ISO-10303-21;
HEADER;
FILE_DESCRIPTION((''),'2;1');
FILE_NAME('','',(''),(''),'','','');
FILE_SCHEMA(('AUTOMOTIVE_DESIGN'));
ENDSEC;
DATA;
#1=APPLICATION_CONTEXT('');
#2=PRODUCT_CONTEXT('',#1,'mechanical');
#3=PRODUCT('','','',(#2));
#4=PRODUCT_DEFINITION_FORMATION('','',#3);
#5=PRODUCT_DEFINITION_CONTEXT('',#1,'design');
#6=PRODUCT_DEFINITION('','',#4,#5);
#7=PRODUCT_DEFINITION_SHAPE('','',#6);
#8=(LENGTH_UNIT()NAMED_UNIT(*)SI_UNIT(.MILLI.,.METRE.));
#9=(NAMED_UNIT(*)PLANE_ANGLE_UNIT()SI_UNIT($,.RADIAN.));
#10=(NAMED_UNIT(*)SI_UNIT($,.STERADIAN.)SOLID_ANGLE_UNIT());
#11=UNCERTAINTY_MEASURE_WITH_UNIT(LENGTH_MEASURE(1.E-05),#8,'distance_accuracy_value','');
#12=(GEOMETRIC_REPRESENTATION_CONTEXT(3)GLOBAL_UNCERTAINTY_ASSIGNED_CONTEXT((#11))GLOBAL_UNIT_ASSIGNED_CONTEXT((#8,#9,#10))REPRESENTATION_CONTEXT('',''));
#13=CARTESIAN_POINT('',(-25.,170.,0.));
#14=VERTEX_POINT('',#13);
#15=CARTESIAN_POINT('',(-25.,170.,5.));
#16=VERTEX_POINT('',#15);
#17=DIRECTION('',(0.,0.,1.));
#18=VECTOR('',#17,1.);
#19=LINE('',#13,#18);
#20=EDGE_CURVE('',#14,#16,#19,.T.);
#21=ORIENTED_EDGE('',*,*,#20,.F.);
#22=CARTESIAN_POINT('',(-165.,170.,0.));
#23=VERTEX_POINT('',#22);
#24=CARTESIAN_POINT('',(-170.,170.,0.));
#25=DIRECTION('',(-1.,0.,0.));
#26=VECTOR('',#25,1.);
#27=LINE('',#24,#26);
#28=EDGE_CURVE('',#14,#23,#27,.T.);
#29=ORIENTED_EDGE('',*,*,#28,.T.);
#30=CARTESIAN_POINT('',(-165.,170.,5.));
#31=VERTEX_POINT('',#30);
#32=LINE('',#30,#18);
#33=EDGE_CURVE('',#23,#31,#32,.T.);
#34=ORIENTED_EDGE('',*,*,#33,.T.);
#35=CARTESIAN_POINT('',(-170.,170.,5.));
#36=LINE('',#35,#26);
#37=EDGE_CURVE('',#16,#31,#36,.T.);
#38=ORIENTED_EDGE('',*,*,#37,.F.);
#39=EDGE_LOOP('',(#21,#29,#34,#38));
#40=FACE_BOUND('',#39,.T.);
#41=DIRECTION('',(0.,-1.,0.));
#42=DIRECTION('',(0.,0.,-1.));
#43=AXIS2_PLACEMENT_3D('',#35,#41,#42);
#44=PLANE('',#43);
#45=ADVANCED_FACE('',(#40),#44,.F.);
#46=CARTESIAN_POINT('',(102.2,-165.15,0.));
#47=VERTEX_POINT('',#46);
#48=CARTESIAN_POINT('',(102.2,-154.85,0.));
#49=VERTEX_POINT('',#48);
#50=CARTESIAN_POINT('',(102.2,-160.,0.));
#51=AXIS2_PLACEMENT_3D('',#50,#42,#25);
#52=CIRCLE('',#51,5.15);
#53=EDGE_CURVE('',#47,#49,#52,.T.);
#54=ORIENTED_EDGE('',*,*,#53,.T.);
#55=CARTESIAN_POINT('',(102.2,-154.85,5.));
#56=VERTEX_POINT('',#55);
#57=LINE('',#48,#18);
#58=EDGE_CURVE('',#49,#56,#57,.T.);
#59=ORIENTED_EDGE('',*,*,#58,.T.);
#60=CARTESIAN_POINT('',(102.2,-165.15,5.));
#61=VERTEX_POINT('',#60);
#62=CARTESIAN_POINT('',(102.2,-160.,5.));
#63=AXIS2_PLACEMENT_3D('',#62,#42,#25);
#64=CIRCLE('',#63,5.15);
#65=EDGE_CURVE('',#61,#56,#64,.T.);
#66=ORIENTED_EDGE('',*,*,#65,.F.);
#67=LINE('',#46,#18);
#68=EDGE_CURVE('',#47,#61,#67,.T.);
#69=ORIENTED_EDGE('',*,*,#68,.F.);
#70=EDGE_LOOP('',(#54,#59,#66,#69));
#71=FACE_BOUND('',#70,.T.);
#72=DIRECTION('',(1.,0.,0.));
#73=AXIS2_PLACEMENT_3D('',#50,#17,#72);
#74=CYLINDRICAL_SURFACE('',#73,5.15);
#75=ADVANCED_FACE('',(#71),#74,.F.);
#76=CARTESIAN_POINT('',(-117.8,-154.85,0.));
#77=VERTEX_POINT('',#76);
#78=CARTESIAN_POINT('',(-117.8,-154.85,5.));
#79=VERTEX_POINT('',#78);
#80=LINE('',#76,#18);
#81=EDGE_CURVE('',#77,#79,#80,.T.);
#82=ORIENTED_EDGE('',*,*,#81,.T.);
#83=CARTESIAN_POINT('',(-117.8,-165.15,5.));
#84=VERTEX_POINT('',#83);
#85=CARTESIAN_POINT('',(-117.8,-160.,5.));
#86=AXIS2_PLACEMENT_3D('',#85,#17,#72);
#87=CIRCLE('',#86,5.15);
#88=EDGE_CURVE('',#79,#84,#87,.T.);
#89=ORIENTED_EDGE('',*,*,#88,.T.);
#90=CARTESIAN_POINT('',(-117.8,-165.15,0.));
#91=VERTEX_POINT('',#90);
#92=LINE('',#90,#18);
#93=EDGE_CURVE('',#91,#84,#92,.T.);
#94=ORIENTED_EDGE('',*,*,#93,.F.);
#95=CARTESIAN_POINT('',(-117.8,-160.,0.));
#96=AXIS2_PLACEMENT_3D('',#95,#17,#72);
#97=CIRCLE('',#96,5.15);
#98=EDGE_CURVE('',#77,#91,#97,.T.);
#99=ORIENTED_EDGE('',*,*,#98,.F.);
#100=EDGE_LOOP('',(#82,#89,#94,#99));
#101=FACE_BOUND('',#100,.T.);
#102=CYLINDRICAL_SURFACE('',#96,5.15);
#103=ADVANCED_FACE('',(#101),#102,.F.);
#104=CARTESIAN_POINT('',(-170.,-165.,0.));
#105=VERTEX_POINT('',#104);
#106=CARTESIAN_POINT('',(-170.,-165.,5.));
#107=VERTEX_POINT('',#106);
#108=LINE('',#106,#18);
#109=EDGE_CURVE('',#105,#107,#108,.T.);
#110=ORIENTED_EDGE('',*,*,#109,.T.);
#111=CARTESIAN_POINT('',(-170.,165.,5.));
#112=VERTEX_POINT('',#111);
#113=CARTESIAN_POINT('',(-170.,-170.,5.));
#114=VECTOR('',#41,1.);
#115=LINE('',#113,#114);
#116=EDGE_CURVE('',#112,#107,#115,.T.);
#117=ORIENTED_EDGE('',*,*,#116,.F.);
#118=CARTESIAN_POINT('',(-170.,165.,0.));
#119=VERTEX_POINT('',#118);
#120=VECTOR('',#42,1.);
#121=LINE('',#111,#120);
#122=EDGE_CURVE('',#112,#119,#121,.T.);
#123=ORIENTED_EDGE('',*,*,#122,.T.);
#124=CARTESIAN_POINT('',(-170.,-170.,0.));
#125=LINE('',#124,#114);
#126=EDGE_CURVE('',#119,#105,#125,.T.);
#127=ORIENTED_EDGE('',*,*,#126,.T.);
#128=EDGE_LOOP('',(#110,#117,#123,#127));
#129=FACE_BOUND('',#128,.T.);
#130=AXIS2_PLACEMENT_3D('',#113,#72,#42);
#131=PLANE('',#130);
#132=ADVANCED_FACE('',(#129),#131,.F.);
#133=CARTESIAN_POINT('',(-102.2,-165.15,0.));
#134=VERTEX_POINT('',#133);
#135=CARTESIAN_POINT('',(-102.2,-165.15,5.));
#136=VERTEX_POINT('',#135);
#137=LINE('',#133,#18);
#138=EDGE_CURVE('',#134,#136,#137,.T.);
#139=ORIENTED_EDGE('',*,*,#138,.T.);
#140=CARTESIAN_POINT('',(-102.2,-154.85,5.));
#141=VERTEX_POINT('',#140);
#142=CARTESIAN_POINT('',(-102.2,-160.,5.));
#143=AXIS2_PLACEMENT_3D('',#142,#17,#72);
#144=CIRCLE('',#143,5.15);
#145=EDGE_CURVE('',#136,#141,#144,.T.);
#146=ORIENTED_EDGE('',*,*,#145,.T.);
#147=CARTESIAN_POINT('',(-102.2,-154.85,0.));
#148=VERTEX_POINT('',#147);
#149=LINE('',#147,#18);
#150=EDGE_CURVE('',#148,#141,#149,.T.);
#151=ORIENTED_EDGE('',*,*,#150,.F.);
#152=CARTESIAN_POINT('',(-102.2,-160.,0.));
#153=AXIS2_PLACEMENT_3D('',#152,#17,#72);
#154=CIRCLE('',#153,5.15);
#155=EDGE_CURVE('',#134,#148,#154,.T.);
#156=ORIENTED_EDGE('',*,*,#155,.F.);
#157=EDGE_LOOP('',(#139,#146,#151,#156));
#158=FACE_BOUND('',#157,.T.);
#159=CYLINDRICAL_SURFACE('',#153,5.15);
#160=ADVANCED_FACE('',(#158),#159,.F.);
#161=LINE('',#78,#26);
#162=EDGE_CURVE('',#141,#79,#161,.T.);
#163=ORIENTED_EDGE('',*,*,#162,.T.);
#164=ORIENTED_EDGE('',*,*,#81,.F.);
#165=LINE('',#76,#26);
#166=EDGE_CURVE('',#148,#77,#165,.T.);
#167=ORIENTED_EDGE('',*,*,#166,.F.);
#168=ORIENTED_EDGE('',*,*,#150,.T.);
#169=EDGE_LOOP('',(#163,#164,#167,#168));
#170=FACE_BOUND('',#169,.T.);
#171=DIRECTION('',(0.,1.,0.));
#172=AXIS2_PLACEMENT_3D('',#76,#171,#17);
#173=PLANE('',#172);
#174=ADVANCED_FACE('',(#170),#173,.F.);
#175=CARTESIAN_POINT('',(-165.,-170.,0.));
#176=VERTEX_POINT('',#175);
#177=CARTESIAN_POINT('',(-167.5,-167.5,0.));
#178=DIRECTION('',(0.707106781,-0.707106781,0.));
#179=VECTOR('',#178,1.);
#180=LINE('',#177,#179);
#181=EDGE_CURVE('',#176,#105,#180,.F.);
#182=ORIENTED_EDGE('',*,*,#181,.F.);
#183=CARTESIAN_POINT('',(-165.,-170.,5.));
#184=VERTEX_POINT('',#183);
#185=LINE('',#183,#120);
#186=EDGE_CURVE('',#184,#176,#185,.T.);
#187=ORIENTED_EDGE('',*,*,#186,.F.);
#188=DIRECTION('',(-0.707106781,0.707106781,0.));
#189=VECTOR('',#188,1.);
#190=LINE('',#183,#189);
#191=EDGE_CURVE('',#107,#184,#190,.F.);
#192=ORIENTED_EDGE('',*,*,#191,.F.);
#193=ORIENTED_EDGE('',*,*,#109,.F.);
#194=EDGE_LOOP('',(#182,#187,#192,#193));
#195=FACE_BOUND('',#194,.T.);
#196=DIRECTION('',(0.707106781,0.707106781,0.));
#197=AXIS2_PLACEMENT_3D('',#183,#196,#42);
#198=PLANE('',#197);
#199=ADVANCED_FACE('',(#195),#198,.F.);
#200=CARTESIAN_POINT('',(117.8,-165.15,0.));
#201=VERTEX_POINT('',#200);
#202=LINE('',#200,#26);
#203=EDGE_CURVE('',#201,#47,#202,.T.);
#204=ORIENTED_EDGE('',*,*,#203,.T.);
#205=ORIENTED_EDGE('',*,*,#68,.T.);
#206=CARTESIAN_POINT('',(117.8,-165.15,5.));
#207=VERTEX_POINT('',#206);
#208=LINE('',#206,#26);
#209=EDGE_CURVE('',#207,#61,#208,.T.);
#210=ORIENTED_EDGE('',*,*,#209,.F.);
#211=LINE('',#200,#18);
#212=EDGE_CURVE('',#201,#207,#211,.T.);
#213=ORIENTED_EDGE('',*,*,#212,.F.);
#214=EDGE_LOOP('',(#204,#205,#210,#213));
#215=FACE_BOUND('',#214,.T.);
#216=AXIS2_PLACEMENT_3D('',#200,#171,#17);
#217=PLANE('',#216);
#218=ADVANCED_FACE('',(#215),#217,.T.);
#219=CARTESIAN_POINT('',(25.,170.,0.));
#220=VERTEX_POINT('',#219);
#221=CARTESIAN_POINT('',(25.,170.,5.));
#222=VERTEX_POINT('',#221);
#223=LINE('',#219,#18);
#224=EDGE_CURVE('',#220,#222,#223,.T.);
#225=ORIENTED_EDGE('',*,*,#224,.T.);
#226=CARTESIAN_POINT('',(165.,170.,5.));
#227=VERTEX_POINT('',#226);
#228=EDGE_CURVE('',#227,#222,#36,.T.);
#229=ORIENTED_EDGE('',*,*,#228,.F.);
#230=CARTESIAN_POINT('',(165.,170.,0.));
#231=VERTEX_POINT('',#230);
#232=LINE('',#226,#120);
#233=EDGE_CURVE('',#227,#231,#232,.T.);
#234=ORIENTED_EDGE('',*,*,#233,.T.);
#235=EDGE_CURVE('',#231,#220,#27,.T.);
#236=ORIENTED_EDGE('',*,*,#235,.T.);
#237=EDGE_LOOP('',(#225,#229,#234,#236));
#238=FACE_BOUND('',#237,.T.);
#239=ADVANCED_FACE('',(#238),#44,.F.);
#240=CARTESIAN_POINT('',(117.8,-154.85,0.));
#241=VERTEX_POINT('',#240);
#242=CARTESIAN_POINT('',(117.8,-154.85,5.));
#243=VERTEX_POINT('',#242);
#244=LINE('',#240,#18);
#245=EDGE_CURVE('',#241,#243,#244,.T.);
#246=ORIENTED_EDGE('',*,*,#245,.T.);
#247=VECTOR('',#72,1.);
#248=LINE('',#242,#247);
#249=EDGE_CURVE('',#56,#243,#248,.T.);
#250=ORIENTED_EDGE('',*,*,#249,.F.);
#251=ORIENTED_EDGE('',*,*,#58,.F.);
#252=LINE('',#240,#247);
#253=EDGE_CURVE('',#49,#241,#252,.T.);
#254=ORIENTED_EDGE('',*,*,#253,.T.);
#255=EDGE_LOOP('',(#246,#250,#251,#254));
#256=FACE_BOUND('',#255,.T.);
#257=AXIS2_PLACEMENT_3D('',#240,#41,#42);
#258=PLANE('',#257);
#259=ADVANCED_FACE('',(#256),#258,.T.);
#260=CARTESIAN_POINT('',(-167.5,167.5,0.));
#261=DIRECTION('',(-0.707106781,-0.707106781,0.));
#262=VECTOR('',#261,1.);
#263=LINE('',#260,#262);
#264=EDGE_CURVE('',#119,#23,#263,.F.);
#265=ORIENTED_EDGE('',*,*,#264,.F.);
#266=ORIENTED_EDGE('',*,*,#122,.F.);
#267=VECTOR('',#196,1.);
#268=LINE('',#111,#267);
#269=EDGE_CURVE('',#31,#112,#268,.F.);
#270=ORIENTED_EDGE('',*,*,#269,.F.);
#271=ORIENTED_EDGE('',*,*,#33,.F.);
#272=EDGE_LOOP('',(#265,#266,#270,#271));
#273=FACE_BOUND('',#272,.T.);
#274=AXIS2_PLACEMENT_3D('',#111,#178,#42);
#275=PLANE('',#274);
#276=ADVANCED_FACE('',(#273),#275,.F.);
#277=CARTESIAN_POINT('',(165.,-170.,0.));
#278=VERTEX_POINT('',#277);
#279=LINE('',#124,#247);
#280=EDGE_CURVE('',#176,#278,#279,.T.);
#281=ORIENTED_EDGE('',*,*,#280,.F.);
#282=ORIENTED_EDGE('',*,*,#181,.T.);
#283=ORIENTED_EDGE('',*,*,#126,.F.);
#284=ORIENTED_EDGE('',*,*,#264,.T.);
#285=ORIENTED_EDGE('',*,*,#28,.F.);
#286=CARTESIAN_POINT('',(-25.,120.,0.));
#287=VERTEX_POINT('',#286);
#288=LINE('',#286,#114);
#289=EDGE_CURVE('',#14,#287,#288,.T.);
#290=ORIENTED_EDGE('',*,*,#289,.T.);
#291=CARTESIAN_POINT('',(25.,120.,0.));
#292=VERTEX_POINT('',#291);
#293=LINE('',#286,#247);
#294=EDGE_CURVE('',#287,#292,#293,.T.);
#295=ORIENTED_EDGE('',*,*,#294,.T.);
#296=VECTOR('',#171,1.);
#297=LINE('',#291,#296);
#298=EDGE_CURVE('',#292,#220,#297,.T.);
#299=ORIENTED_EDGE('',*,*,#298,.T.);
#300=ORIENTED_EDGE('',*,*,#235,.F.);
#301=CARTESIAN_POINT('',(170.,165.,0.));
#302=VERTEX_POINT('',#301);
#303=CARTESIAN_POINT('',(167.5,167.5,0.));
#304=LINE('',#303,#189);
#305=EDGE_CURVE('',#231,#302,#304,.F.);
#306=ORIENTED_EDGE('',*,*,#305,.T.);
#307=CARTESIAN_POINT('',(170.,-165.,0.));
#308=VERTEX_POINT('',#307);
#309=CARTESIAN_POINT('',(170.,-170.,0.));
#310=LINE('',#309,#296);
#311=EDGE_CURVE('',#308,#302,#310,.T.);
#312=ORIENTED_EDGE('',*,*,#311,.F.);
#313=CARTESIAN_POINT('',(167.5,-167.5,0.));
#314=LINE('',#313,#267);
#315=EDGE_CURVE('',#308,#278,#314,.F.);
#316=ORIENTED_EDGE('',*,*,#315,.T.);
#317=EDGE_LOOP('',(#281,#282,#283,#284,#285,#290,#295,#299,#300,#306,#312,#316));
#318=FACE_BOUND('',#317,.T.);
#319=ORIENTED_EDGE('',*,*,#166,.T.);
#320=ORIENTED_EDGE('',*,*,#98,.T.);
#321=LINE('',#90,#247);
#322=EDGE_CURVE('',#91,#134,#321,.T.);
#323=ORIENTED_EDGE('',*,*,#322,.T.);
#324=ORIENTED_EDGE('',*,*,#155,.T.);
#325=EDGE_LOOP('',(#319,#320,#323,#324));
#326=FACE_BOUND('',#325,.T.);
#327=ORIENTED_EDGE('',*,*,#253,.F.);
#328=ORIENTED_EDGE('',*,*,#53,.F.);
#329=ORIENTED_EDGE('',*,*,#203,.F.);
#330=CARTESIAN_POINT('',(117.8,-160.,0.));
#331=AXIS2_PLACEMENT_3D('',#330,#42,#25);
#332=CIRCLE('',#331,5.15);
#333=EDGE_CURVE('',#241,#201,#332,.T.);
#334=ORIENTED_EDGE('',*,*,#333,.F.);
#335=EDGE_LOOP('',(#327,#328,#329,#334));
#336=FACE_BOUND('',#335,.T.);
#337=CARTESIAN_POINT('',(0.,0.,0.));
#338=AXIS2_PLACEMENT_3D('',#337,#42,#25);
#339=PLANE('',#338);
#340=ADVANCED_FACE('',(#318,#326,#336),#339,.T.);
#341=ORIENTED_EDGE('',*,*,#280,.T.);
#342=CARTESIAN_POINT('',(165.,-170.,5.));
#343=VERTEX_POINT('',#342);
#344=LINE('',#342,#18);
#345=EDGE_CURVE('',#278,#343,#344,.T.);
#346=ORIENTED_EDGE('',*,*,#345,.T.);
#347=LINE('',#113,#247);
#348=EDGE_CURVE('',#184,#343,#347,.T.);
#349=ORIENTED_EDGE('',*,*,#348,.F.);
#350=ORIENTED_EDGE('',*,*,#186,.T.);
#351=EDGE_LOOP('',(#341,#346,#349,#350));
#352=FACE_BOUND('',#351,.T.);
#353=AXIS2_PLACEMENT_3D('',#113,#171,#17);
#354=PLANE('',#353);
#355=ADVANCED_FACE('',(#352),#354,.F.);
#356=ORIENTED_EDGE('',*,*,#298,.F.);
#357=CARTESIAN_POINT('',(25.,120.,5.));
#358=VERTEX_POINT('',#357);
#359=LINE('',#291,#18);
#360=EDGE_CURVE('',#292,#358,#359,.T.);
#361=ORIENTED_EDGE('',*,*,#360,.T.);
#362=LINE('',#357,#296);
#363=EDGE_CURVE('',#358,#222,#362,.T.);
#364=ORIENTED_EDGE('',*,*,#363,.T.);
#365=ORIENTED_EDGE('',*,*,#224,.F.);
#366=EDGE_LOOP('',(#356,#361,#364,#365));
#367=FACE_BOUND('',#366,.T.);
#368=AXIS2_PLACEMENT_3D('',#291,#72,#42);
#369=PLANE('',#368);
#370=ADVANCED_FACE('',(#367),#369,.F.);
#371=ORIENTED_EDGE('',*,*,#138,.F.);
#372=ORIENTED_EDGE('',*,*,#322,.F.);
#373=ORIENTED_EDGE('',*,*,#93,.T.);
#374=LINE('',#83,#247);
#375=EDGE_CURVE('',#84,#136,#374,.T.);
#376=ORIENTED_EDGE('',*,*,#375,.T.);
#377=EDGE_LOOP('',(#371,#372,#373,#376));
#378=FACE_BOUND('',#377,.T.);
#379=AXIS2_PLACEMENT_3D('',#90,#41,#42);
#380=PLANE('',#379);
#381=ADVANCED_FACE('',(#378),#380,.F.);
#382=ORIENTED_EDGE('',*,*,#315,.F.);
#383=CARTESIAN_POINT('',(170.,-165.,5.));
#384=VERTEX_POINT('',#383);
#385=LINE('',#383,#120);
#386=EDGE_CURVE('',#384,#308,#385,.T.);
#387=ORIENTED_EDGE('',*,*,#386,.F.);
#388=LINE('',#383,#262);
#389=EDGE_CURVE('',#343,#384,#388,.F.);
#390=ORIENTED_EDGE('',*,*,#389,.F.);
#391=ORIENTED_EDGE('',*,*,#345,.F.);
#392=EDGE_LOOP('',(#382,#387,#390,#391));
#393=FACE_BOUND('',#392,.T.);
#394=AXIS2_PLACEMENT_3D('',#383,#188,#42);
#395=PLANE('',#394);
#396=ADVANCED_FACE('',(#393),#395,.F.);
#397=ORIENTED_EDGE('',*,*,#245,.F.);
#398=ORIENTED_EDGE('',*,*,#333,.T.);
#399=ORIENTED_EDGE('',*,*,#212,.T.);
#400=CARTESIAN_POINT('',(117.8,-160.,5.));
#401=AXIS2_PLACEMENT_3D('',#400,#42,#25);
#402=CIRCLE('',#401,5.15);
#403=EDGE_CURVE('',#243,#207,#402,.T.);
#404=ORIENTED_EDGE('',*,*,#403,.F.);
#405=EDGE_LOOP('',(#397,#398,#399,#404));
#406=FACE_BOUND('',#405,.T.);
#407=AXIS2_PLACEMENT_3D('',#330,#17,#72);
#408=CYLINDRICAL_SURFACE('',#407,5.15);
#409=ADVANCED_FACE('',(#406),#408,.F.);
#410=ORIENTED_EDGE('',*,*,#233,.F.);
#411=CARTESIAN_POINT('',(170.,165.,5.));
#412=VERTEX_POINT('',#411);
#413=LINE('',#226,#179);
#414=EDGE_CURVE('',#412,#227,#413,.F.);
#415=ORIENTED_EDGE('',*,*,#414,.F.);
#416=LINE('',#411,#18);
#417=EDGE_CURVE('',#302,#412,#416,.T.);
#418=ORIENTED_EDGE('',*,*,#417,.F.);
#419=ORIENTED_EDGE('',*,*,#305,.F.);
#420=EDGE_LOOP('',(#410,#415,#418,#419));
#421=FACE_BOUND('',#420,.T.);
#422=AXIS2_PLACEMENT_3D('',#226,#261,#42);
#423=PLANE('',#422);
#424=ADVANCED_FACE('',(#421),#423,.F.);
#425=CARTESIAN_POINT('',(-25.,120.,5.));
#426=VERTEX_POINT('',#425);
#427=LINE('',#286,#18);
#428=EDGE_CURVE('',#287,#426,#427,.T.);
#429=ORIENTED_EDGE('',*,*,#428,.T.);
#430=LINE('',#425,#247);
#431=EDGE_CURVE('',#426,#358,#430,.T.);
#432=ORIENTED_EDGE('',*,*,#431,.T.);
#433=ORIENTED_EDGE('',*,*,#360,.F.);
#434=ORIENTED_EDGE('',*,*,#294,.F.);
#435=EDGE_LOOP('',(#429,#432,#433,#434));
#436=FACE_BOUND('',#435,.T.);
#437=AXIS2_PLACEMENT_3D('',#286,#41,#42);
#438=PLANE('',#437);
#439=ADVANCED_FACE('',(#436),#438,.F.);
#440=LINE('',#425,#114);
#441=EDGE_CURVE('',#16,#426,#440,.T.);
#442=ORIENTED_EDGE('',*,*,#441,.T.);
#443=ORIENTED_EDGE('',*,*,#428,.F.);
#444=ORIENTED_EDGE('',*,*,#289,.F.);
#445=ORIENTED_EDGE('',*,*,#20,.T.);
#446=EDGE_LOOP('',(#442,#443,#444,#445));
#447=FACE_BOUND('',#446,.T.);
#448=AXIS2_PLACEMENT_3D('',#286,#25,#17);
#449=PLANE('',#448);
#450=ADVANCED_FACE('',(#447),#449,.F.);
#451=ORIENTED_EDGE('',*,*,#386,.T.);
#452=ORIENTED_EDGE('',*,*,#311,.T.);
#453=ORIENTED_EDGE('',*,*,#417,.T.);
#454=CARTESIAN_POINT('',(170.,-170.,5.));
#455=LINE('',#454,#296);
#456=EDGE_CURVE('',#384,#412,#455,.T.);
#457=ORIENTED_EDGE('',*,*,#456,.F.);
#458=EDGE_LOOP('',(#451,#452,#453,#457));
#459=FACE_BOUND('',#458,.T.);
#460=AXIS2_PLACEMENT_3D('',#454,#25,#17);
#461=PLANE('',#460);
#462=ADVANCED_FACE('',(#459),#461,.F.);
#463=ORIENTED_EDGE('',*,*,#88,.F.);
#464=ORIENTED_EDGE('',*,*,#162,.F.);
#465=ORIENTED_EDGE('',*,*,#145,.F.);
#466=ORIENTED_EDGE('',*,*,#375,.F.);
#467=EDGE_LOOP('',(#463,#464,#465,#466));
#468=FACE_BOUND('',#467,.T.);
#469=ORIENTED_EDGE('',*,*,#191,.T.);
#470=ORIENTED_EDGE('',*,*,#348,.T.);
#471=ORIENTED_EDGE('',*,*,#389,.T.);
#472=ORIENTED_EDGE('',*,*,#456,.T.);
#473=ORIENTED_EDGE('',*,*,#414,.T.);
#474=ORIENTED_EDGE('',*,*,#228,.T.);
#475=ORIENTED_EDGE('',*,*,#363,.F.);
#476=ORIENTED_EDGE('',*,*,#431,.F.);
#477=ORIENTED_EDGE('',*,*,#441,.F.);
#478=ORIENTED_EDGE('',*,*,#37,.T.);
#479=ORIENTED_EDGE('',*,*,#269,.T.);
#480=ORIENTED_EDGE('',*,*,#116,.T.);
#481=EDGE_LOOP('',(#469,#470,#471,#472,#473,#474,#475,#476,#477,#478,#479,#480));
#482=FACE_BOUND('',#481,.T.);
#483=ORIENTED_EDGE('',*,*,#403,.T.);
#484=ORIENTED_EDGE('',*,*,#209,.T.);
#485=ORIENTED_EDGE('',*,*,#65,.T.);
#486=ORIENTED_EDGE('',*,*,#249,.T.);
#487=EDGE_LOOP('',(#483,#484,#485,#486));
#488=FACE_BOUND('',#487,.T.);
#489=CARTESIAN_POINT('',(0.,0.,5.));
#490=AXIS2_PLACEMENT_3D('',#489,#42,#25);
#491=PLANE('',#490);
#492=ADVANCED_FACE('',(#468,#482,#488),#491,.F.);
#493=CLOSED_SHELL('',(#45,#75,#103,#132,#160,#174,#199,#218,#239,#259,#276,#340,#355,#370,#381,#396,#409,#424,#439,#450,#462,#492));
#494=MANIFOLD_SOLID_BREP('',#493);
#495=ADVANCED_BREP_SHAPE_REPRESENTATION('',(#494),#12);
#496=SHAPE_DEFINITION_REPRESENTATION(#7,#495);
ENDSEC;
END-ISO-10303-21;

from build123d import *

# Parameters (mm, degrees)
SKETCH2_W           = 340
SKETCH2_H           = 340
BOSS_EXTRUDE1_DEPTH = 5
CHAMFER1_SIZE       = 5
CUT_EXTRUDE2_DEPTH  = 241.468293128
SKETCH5_W           = 50
SKETCH5_H           = 50
CUT_EXTRUDE3_DEPTH  = 241.468293128


with BuildPart() as part:
    # Sketch2 → Boss-Extrude1 (new body)
    with BuildSketch(Plane.XY):
        Rectangle(SKETCH2_W, SKETCH2_H)
    extrude(amount=BOSS_EXTRUDE1_DEPTH)

    # Chamfer1
    chamfer1_edges = [part.edges().sort_by_distance(p)[0] for p in [
        (170, -170, 2.5),
        (-170, -170, 2.5),
        (-170, 170, 2.5),
        (170, 170, 2.5),
    ]]
    chamfer(chamfer1_edges, length=CHAMFER1_SIZE)

    # Sketch4 → Cut-Extrude2 (cut, through all)
    with BuildSketch(Plane.XY.offset(5)):
        with BuildLine():
            Line((-7.8, 164.9), (7.8, 164.9))
            ThreePointArc((7.8, 164.9), (12.7, 160), (7.8, 155.1))
            Line((7.8, 155.1), (-7.8, 155.1))
            ThreePointArc((-7.8, 155.1), (-12.7, 160), (-7.8, 164.9))
        make_face()
        with BuildLine():
            Line((-117.8, -154.85), (-102.2, -154.85))
            ThreePointArc((-102.2, -154.85), (-97.05, -160), (-102.2, -165.15))
            Line((-102.2, -165.15), (-117.8, -165.15))
            ThreePointArc((-117.8, -165.15), (-122.95, -160), (-117.8, -154.85))
        make_face()
    cut_extrude2 = extrude(amount=-CUT_EXTRUDE2_DEPTH, mode=Mode.SUBTRACT)

    # Mirror1: Cut-Extrude2 across plane
    add(cut_extrude2.mirror(Plane(origin=(0, 0, 0), x_dir=(0, 0, 1), z_dir=(1, 0, 0))), mode=Mode.SUBTRACT)

    # Sketch5 → Cut-Extrude3 (cut, through all)
    with BuildSketch(Plane.XY.offset(5)):
        with Locations((0, 145)):
            Rectangle(SKETCH5_W, SKETCH5_H)
    extrude(amount=-CUT_EXTRUDE3_DEPTH, mode=Mode.SUBTRACT)


solid = part.part
